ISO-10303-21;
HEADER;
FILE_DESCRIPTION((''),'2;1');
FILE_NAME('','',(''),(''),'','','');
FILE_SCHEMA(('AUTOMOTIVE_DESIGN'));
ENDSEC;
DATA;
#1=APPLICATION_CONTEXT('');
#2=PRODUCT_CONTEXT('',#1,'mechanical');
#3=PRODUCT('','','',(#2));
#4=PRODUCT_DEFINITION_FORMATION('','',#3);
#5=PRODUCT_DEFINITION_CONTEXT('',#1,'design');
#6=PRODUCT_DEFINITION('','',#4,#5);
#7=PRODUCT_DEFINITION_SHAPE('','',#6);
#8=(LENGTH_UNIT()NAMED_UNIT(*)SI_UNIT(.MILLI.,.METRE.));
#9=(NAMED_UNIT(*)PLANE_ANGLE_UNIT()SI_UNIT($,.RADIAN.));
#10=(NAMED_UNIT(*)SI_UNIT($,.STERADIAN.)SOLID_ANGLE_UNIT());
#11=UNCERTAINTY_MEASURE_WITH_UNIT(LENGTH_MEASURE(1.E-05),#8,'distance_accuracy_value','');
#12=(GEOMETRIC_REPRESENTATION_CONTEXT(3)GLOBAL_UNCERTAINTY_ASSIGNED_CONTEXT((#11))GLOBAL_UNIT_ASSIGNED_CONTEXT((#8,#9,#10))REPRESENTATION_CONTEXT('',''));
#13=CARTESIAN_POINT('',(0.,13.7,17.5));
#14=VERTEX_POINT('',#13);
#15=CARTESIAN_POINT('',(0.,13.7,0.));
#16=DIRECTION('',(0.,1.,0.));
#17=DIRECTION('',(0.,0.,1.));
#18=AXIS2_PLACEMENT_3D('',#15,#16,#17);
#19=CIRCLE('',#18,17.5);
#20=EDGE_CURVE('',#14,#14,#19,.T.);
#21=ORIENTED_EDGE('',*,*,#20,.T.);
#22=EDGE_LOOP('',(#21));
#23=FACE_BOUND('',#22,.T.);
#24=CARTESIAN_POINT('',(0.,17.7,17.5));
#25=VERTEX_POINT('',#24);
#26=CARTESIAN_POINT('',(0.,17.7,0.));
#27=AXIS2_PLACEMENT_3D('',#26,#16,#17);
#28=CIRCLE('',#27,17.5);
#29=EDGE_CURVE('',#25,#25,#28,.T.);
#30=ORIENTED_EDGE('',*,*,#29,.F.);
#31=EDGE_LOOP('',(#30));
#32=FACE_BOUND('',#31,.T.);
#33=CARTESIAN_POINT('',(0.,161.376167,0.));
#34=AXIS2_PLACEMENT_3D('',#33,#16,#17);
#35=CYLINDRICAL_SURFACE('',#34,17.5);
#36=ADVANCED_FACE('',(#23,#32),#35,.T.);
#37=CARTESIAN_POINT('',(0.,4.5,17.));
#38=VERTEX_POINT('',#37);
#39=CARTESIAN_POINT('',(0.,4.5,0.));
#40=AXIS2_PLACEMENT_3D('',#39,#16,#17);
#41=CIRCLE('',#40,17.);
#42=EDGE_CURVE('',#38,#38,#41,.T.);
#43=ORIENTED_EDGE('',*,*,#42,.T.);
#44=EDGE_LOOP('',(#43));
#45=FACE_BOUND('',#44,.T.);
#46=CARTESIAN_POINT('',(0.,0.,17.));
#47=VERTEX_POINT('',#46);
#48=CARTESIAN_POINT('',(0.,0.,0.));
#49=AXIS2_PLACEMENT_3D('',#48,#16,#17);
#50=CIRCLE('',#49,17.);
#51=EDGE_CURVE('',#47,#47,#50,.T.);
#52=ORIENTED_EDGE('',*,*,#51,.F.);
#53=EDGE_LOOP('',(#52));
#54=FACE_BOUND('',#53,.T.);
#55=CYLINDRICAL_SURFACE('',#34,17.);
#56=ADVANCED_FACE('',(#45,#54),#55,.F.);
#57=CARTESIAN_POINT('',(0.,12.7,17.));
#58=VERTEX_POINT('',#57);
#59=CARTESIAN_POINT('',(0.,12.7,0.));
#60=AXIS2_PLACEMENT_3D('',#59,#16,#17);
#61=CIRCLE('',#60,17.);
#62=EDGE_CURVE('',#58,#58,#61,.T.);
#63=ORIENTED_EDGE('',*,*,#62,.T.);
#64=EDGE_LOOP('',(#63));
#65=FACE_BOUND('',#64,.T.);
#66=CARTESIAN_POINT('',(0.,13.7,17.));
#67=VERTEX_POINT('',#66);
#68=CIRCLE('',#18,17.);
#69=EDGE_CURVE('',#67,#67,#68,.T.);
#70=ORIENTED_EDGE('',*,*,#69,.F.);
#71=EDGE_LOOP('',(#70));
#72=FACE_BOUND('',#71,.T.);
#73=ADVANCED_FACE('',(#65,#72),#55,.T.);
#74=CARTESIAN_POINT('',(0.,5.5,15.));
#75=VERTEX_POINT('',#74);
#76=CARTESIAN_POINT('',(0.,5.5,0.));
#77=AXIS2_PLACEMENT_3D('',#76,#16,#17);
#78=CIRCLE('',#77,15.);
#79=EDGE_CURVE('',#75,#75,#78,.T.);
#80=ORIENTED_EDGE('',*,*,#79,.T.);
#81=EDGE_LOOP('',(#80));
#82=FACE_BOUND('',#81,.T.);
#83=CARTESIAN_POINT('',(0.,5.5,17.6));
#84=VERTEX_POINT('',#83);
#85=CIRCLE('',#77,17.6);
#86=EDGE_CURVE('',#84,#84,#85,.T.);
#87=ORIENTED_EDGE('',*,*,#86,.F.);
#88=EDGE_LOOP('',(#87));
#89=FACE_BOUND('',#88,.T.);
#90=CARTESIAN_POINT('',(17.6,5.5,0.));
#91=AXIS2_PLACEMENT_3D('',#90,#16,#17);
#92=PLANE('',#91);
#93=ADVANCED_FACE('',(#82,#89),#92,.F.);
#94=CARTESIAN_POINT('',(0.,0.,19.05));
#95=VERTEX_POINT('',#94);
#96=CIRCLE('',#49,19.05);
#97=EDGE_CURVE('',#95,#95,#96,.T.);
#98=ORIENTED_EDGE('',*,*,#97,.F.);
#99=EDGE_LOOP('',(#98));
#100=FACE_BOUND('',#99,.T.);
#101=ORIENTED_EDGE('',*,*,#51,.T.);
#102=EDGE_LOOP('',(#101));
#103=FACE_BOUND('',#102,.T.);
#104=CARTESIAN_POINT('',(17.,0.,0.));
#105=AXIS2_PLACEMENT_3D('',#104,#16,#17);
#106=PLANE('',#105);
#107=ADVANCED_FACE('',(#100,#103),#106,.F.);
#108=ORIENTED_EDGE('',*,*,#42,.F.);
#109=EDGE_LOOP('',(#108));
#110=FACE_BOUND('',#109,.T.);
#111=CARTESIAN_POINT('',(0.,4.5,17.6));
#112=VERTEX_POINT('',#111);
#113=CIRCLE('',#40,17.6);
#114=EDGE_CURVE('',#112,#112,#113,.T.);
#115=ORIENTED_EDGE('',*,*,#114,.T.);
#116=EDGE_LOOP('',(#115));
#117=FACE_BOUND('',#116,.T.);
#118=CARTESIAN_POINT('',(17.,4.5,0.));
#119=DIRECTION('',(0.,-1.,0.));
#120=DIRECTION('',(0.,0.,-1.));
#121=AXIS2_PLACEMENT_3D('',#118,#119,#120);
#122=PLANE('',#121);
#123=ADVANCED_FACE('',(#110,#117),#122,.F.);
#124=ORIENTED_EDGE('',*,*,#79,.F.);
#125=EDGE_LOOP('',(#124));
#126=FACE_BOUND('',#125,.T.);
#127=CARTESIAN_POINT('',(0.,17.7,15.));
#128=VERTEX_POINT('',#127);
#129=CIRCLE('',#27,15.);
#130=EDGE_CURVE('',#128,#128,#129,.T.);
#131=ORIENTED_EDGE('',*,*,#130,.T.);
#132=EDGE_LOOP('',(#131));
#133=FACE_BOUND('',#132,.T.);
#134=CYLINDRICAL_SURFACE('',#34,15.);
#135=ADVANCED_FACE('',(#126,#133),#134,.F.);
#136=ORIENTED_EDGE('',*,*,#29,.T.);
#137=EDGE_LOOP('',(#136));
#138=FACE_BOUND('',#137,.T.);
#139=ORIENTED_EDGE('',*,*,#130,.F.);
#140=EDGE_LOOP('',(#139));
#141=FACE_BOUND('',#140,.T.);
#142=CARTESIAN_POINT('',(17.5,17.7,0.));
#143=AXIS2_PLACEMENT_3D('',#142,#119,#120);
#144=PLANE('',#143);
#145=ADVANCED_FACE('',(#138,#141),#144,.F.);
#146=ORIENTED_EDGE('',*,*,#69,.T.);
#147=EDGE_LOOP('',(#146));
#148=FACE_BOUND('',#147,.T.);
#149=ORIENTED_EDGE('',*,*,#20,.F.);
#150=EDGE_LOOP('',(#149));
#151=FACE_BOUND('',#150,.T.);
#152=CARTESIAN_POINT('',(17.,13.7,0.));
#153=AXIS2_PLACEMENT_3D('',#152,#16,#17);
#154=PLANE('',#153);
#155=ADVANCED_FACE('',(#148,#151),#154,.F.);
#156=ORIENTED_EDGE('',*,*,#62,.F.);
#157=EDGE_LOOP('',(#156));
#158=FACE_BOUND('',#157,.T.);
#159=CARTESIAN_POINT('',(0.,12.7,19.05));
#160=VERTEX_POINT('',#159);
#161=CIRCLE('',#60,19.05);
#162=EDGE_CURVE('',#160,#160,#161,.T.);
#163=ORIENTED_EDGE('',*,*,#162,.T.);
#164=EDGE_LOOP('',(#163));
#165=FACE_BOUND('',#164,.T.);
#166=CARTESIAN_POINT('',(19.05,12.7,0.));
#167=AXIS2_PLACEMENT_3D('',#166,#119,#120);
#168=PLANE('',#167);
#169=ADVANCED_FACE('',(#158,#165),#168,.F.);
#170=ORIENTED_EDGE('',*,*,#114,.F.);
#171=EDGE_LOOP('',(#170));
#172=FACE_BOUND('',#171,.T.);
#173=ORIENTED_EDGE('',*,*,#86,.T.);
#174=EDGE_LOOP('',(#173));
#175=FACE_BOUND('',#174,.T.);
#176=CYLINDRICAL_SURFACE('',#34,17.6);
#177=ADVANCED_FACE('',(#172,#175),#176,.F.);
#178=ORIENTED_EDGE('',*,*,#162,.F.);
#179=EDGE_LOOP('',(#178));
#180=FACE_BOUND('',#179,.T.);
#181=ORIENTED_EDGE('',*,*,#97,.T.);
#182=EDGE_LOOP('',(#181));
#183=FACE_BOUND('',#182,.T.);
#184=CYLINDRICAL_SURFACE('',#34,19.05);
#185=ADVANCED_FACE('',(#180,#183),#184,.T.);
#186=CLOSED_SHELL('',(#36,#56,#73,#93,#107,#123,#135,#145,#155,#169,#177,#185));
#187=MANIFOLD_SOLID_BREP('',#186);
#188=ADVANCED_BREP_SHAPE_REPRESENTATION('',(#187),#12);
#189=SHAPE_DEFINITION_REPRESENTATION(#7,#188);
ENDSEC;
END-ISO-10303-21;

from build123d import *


with BuildPart() as part:
    # 草图1 → 旋转1 (revolve)
    with BuildSketch(Plane.XY, mode=Mode.PRIVATE) as revolve_1_sk:
        Polygon((19.05, 0), (19.05, 12.7), (17, 12.7), (17, 13.7), (17.5, 13.7), (17.5, 17.7), (15, 17.7), (15, 5.5), (17.6, 5.5), (17.6, 4.5), (17, 4.5), (17, 0), align=None)
    revolve(revolve_1_sk.sketch.rotate(Axis((0, 161.376166943, 0), (0, -1, 0)), 90), axis=Axis((0, 161.376166943, 0), (0, -1, 0)))  # turned: the seam where the file's is


solid = part.part
